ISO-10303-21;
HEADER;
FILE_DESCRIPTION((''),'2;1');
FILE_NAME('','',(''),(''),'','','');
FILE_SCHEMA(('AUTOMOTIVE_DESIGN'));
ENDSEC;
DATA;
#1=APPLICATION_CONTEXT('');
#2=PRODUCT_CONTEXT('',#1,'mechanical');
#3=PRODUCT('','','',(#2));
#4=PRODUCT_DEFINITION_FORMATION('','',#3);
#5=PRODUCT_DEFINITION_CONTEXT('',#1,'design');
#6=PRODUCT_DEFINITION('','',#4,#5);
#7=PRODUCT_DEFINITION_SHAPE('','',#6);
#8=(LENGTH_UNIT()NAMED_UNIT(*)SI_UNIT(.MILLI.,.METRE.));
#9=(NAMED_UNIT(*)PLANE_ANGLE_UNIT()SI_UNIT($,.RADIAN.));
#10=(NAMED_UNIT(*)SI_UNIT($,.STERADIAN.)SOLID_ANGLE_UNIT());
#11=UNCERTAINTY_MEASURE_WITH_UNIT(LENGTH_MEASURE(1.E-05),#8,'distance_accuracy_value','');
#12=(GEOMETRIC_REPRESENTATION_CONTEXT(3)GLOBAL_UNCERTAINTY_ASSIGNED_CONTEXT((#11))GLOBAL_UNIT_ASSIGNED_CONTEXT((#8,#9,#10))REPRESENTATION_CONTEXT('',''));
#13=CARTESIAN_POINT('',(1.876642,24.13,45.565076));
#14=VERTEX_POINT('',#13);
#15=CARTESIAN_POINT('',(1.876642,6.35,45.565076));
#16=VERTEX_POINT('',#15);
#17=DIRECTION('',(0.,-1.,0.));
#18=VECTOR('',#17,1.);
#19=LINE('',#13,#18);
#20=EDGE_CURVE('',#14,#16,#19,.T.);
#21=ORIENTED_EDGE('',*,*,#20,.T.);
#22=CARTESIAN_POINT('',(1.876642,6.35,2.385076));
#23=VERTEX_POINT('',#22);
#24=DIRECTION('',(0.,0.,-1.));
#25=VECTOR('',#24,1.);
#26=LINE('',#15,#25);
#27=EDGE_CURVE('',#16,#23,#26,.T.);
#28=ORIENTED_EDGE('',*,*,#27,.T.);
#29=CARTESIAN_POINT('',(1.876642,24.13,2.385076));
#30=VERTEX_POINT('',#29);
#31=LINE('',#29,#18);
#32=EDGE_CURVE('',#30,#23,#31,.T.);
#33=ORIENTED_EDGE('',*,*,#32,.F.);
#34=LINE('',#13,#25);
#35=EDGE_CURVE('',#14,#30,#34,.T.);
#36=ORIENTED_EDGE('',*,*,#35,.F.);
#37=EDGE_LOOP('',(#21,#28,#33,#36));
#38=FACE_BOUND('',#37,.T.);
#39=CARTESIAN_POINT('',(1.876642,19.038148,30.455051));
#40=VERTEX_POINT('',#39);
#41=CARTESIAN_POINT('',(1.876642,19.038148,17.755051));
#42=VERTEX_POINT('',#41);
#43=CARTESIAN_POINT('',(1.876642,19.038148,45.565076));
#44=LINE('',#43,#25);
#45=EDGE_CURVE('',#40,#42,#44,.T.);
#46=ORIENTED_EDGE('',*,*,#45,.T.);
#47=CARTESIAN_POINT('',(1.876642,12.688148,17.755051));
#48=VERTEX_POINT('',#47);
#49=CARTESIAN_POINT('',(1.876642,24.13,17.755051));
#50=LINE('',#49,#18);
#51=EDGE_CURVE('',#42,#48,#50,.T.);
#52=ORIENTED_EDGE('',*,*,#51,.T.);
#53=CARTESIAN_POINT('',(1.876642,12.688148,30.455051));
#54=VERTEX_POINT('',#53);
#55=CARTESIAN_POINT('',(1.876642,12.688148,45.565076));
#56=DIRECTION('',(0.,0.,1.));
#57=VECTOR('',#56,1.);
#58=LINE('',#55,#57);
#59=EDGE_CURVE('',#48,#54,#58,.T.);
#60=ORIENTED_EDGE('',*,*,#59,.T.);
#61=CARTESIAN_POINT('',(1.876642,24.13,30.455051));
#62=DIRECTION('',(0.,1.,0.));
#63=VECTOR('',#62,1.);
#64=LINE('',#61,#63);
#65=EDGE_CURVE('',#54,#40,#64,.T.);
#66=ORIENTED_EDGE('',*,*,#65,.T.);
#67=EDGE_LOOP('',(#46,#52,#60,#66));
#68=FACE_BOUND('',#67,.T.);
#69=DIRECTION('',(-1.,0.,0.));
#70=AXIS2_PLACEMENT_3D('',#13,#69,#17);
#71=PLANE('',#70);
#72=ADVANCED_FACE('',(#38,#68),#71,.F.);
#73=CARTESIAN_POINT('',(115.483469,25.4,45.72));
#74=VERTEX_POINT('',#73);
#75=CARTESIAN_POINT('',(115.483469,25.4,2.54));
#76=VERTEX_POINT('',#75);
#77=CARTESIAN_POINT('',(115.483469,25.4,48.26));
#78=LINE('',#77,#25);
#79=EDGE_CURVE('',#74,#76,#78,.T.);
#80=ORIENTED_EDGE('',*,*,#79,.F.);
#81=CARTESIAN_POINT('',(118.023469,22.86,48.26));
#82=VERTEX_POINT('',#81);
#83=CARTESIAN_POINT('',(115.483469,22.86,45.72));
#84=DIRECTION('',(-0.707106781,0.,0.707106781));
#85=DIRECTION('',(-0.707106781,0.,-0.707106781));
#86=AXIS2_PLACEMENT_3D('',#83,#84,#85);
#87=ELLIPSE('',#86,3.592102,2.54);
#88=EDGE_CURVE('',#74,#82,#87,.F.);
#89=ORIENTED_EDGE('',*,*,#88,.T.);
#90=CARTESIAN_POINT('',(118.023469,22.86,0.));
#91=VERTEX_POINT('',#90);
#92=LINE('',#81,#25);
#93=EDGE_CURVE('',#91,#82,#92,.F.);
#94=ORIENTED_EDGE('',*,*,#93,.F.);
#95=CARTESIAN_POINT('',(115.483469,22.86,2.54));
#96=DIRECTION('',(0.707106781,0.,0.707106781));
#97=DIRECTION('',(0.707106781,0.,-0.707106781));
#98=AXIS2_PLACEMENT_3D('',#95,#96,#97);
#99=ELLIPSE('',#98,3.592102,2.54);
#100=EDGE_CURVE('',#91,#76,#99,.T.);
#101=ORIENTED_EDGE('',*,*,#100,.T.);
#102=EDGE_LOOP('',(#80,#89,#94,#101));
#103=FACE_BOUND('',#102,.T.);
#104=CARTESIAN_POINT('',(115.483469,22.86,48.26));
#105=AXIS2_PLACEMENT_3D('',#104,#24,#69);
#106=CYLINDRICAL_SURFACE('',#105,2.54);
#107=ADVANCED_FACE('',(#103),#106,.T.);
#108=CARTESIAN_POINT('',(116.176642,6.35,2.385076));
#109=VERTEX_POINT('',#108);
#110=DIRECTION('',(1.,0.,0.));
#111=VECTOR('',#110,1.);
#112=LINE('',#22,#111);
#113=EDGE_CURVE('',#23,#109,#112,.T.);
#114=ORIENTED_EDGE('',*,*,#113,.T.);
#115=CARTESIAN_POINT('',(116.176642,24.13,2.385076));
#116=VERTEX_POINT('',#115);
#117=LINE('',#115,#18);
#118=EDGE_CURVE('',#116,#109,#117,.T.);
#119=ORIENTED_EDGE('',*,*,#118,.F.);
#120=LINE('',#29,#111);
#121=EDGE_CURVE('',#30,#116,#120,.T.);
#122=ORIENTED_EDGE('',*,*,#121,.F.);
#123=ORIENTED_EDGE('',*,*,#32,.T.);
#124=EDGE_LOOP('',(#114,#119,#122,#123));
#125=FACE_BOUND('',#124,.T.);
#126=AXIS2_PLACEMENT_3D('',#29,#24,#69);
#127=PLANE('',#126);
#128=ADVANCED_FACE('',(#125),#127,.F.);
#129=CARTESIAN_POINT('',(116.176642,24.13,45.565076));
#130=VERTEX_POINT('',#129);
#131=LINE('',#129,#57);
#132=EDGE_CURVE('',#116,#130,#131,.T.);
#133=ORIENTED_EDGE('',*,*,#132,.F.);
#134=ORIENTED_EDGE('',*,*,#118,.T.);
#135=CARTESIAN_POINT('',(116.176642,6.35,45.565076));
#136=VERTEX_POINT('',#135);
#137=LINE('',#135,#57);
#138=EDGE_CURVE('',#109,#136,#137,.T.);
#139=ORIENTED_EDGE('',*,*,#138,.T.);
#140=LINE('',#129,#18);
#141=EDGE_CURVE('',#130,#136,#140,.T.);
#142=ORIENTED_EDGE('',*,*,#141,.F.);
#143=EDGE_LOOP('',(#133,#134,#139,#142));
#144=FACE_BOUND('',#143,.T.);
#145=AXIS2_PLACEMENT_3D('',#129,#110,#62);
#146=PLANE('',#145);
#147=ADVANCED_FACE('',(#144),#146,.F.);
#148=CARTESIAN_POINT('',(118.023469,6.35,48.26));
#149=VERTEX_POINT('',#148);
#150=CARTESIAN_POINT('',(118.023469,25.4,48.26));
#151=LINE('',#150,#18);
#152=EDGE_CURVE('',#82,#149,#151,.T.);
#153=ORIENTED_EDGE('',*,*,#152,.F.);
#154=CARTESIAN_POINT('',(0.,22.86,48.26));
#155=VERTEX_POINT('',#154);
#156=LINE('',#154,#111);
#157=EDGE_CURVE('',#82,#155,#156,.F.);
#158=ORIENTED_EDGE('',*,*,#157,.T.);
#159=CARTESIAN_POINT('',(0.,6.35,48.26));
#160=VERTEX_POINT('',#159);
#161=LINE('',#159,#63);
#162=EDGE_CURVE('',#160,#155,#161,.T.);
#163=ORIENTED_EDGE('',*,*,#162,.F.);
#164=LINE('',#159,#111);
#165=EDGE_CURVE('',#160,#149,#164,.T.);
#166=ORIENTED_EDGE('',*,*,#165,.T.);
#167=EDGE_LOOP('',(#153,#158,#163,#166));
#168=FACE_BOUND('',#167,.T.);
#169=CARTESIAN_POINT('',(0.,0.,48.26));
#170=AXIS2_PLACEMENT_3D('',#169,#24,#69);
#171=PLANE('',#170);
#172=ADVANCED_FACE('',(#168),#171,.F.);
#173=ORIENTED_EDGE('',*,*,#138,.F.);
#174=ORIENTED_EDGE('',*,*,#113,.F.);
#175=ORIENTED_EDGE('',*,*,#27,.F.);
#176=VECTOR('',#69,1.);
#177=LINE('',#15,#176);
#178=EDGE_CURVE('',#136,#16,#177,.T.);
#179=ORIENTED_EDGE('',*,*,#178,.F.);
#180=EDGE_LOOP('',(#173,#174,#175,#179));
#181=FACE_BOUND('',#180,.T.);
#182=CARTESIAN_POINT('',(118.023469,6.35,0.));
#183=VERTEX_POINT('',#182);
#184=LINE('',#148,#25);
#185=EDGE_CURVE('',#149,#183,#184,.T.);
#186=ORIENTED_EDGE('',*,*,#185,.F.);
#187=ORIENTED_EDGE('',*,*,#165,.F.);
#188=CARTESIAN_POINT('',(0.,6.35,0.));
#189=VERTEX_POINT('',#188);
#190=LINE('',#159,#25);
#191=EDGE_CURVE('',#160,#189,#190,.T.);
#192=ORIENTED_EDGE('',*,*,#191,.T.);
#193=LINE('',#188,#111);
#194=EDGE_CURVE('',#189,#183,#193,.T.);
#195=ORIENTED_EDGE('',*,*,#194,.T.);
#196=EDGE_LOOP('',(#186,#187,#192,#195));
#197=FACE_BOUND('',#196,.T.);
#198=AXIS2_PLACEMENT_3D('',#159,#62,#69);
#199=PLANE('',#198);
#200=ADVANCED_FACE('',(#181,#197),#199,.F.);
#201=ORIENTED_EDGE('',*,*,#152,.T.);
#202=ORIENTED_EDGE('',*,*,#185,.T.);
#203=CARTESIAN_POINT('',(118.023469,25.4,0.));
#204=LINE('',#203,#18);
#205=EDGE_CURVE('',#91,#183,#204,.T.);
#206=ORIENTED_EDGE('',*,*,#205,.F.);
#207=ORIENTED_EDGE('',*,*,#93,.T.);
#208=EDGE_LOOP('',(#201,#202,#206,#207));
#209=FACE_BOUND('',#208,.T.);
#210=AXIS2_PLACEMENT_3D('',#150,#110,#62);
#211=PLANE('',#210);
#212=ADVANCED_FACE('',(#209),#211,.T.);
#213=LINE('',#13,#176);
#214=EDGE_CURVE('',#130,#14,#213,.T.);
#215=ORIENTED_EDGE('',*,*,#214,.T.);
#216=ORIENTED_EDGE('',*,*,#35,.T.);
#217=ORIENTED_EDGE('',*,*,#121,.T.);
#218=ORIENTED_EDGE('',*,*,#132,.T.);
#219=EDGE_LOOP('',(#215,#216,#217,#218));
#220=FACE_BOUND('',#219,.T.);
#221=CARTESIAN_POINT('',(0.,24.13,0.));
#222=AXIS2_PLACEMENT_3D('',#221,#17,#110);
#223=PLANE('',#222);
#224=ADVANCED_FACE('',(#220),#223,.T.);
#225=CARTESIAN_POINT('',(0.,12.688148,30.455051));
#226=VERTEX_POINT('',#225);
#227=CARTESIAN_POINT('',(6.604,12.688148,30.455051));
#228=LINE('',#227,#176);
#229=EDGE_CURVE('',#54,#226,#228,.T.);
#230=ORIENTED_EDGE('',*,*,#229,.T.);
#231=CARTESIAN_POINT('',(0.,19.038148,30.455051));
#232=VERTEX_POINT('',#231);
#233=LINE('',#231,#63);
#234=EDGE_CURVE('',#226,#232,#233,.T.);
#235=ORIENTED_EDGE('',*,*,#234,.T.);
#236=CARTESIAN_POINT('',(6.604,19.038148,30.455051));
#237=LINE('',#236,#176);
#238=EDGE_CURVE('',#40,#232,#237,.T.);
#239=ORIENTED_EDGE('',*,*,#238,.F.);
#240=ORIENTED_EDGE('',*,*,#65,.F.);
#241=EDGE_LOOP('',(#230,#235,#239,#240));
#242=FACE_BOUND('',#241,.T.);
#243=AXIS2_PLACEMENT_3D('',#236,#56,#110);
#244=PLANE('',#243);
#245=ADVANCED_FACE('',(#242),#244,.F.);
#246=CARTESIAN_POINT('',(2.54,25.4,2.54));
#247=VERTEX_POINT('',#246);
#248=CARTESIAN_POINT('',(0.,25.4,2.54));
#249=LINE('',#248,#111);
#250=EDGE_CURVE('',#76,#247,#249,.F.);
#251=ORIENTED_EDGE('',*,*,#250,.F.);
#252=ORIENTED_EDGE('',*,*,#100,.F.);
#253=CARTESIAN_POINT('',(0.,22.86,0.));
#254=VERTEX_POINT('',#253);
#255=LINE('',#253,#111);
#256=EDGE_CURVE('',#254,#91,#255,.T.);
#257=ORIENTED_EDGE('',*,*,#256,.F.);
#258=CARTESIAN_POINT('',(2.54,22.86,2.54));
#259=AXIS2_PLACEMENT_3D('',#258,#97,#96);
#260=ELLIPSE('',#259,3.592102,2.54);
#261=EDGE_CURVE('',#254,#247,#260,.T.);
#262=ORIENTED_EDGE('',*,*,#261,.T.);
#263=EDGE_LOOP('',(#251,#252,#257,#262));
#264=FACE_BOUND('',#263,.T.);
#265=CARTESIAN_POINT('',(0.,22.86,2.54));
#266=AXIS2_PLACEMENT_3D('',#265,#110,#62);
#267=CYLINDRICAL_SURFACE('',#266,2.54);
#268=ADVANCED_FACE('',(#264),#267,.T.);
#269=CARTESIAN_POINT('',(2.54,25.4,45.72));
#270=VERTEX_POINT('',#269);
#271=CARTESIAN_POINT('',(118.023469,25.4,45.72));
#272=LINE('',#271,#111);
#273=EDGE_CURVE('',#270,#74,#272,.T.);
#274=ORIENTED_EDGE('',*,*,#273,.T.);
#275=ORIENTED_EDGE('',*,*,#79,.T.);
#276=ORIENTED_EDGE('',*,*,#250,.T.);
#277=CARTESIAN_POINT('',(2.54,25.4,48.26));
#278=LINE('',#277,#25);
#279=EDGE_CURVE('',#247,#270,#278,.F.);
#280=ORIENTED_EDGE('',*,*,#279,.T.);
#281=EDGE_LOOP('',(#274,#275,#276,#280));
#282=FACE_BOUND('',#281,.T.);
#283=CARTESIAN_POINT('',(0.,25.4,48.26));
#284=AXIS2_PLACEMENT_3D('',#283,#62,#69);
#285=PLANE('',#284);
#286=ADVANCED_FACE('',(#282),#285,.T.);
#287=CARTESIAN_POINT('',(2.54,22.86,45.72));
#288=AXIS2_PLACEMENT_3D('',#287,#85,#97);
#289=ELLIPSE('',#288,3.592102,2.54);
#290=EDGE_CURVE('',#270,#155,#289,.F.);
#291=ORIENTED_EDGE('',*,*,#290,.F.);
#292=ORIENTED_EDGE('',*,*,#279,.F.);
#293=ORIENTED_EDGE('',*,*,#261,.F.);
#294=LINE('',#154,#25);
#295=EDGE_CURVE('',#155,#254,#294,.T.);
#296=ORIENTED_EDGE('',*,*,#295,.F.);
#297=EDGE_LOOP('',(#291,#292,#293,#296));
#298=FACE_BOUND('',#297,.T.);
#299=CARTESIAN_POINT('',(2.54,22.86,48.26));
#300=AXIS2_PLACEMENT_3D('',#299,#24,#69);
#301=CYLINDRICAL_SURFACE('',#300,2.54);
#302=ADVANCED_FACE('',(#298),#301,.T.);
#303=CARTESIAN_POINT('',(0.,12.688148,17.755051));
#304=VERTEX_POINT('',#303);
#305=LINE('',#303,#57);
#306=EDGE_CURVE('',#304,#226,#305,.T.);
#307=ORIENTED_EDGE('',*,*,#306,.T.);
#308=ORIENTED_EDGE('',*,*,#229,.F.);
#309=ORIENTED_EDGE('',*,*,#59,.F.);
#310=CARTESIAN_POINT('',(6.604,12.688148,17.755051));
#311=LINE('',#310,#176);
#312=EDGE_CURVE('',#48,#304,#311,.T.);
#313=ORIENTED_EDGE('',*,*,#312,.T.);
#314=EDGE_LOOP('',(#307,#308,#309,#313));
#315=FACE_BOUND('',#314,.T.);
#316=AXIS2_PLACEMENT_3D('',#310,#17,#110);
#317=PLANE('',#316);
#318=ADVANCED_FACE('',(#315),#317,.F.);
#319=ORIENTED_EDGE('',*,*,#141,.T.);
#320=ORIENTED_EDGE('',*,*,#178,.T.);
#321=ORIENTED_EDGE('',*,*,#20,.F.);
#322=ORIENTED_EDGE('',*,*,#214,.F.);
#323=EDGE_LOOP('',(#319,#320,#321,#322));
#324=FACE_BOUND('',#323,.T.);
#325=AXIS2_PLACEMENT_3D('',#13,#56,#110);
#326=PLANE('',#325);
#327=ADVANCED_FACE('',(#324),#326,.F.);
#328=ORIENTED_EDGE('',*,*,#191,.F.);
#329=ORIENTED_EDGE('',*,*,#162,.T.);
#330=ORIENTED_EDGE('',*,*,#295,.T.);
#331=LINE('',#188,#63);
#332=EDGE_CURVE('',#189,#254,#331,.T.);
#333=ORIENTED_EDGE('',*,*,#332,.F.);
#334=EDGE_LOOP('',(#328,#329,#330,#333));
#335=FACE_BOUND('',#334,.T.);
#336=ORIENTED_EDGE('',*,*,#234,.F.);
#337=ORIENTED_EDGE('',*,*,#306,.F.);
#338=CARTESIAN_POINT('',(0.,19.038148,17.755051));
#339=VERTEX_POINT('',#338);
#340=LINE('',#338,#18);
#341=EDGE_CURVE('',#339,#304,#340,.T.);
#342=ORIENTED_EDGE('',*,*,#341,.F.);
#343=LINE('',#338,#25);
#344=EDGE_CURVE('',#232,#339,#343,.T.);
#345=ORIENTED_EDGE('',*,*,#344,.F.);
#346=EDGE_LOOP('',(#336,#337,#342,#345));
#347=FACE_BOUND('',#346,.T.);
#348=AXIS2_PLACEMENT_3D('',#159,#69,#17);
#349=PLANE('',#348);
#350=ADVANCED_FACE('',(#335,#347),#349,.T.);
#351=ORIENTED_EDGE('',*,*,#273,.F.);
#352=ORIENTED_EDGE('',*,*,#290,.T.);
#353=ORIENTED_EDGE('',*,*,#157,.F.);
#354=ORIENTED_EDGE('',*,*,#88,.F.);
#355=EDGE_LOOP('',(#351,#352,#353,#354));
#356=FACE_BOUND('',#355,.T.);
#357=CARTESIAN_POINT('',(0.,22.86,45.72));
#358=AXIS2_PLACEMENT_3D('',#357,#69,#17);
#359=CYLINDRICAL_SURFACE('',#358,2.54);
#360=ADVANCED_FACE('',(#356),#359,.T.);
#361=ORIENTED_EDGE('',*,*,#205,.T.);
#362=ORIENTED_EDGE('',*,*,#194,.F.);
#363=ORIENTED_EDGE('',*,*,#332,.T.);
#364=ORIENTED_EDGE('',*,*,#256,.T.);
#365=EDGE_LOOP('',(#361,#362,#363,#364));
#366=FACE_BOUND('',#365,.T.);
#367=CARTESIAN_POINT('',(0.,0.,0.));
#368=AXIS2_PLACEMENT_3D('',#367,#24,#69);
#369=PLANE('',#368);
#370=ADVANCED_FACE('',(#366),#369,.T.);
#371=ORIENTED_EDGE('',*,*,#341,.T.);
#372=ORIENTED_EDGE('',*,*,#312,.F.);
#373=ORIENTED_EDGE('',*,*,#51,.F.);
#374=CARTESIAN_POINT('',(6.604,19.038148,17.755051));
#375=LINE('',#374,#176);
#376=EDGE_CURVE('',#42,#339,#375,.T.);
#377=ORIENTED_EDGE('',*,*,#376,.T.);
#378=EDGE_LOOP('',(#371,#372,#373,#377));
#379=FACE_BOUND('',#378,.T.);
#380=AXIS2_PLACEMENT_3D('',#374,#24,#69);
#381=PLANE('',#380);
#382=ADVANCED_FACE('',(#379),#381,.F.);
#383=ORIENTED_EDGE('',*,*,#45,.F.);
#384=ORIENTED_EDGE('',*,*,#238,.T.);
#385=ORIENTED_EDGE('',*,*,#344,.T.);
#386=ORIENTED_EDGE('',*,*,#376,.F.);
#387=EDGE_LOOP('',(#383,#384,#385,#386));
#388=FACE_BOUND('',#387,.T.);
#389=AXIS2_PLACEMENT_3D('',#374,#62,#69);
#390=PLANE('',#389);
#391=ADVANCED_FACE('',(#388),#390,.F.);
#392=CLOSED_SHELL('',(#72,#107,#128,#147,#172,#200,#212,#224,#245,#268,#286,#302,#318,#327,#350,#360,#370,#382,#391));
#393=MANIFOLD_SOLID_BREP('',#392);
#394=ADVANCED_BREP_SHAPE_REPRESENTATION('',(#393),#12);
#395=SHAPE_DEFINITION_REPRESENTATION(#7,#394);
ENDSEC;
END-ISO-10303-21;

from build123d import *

# Parameters (mm, degrees)
SKETCH2_W           = 118.023469291
SKETCH2_H           = 19.05
BOSS_EXTRUDE1_DEPTH = 48.26
SKETCH24_W          = 114.3
SKETCH24_H          = 43.18
CUT_EXTRUDE2_DEPTH  = 17.78
SKETCH25_W          = 12.7
SKETCH25_H          = 6.35
CUT_EXTRUDE3_DEPTH  = 6.604
FILLET1_R           = 2.54


with BuildPart() as part:
    # Sketch2 → Boss-Extrude1 (new body)
    with BuildSketch(Plane.XY):
        with Locations((59.011734646, 15.875)):
            Rectangle(SKETCH2_W, SKETCH2_H)
    extrude(amount=BOSS_EXTRUDE1_DEPTH)

    # Sketch24 → Cut-Extrude2 (cut)
    with BuildSketch(Plane(origin=(0, 6.35, 0), x_dir=(-1, 0, 0), z_dir=(0, -1, 0))):
        with Locations((-59.026642295, -23.975075688)):
            Rectangle(SKETCH24_W, SKETCH24_H)
    extrude(amount=-CUT_EXTRUDE2_DEPTH, mode=Mode.SUBTRACT)

    # Sketch25 → Cut-Extrude3 (cut)
    with BuildSketch(Plane.ZY):
        with Locations((24.105050581, 15.863147592)):
            Rectangle(SKETCH25_W, SKETCH25_H)
    extrude(amount=-CUT_EXTRUDE3_DEPTH, mode=Mode.SUBTRACT)

    # Fillet1
    fillet1_edges = [part.edges().sort_by_distance(p)[0] for p in [
        (59.011734646, 25.4, 48.26),
        (59.011734646, 25.4, 0),
        (0, 25.4, 24.13),
        (118.023469291, 25.4, 24.13),
    ]]
    fillet(fillet1_edges, radius=FILLET1_R)


solid = part.part
